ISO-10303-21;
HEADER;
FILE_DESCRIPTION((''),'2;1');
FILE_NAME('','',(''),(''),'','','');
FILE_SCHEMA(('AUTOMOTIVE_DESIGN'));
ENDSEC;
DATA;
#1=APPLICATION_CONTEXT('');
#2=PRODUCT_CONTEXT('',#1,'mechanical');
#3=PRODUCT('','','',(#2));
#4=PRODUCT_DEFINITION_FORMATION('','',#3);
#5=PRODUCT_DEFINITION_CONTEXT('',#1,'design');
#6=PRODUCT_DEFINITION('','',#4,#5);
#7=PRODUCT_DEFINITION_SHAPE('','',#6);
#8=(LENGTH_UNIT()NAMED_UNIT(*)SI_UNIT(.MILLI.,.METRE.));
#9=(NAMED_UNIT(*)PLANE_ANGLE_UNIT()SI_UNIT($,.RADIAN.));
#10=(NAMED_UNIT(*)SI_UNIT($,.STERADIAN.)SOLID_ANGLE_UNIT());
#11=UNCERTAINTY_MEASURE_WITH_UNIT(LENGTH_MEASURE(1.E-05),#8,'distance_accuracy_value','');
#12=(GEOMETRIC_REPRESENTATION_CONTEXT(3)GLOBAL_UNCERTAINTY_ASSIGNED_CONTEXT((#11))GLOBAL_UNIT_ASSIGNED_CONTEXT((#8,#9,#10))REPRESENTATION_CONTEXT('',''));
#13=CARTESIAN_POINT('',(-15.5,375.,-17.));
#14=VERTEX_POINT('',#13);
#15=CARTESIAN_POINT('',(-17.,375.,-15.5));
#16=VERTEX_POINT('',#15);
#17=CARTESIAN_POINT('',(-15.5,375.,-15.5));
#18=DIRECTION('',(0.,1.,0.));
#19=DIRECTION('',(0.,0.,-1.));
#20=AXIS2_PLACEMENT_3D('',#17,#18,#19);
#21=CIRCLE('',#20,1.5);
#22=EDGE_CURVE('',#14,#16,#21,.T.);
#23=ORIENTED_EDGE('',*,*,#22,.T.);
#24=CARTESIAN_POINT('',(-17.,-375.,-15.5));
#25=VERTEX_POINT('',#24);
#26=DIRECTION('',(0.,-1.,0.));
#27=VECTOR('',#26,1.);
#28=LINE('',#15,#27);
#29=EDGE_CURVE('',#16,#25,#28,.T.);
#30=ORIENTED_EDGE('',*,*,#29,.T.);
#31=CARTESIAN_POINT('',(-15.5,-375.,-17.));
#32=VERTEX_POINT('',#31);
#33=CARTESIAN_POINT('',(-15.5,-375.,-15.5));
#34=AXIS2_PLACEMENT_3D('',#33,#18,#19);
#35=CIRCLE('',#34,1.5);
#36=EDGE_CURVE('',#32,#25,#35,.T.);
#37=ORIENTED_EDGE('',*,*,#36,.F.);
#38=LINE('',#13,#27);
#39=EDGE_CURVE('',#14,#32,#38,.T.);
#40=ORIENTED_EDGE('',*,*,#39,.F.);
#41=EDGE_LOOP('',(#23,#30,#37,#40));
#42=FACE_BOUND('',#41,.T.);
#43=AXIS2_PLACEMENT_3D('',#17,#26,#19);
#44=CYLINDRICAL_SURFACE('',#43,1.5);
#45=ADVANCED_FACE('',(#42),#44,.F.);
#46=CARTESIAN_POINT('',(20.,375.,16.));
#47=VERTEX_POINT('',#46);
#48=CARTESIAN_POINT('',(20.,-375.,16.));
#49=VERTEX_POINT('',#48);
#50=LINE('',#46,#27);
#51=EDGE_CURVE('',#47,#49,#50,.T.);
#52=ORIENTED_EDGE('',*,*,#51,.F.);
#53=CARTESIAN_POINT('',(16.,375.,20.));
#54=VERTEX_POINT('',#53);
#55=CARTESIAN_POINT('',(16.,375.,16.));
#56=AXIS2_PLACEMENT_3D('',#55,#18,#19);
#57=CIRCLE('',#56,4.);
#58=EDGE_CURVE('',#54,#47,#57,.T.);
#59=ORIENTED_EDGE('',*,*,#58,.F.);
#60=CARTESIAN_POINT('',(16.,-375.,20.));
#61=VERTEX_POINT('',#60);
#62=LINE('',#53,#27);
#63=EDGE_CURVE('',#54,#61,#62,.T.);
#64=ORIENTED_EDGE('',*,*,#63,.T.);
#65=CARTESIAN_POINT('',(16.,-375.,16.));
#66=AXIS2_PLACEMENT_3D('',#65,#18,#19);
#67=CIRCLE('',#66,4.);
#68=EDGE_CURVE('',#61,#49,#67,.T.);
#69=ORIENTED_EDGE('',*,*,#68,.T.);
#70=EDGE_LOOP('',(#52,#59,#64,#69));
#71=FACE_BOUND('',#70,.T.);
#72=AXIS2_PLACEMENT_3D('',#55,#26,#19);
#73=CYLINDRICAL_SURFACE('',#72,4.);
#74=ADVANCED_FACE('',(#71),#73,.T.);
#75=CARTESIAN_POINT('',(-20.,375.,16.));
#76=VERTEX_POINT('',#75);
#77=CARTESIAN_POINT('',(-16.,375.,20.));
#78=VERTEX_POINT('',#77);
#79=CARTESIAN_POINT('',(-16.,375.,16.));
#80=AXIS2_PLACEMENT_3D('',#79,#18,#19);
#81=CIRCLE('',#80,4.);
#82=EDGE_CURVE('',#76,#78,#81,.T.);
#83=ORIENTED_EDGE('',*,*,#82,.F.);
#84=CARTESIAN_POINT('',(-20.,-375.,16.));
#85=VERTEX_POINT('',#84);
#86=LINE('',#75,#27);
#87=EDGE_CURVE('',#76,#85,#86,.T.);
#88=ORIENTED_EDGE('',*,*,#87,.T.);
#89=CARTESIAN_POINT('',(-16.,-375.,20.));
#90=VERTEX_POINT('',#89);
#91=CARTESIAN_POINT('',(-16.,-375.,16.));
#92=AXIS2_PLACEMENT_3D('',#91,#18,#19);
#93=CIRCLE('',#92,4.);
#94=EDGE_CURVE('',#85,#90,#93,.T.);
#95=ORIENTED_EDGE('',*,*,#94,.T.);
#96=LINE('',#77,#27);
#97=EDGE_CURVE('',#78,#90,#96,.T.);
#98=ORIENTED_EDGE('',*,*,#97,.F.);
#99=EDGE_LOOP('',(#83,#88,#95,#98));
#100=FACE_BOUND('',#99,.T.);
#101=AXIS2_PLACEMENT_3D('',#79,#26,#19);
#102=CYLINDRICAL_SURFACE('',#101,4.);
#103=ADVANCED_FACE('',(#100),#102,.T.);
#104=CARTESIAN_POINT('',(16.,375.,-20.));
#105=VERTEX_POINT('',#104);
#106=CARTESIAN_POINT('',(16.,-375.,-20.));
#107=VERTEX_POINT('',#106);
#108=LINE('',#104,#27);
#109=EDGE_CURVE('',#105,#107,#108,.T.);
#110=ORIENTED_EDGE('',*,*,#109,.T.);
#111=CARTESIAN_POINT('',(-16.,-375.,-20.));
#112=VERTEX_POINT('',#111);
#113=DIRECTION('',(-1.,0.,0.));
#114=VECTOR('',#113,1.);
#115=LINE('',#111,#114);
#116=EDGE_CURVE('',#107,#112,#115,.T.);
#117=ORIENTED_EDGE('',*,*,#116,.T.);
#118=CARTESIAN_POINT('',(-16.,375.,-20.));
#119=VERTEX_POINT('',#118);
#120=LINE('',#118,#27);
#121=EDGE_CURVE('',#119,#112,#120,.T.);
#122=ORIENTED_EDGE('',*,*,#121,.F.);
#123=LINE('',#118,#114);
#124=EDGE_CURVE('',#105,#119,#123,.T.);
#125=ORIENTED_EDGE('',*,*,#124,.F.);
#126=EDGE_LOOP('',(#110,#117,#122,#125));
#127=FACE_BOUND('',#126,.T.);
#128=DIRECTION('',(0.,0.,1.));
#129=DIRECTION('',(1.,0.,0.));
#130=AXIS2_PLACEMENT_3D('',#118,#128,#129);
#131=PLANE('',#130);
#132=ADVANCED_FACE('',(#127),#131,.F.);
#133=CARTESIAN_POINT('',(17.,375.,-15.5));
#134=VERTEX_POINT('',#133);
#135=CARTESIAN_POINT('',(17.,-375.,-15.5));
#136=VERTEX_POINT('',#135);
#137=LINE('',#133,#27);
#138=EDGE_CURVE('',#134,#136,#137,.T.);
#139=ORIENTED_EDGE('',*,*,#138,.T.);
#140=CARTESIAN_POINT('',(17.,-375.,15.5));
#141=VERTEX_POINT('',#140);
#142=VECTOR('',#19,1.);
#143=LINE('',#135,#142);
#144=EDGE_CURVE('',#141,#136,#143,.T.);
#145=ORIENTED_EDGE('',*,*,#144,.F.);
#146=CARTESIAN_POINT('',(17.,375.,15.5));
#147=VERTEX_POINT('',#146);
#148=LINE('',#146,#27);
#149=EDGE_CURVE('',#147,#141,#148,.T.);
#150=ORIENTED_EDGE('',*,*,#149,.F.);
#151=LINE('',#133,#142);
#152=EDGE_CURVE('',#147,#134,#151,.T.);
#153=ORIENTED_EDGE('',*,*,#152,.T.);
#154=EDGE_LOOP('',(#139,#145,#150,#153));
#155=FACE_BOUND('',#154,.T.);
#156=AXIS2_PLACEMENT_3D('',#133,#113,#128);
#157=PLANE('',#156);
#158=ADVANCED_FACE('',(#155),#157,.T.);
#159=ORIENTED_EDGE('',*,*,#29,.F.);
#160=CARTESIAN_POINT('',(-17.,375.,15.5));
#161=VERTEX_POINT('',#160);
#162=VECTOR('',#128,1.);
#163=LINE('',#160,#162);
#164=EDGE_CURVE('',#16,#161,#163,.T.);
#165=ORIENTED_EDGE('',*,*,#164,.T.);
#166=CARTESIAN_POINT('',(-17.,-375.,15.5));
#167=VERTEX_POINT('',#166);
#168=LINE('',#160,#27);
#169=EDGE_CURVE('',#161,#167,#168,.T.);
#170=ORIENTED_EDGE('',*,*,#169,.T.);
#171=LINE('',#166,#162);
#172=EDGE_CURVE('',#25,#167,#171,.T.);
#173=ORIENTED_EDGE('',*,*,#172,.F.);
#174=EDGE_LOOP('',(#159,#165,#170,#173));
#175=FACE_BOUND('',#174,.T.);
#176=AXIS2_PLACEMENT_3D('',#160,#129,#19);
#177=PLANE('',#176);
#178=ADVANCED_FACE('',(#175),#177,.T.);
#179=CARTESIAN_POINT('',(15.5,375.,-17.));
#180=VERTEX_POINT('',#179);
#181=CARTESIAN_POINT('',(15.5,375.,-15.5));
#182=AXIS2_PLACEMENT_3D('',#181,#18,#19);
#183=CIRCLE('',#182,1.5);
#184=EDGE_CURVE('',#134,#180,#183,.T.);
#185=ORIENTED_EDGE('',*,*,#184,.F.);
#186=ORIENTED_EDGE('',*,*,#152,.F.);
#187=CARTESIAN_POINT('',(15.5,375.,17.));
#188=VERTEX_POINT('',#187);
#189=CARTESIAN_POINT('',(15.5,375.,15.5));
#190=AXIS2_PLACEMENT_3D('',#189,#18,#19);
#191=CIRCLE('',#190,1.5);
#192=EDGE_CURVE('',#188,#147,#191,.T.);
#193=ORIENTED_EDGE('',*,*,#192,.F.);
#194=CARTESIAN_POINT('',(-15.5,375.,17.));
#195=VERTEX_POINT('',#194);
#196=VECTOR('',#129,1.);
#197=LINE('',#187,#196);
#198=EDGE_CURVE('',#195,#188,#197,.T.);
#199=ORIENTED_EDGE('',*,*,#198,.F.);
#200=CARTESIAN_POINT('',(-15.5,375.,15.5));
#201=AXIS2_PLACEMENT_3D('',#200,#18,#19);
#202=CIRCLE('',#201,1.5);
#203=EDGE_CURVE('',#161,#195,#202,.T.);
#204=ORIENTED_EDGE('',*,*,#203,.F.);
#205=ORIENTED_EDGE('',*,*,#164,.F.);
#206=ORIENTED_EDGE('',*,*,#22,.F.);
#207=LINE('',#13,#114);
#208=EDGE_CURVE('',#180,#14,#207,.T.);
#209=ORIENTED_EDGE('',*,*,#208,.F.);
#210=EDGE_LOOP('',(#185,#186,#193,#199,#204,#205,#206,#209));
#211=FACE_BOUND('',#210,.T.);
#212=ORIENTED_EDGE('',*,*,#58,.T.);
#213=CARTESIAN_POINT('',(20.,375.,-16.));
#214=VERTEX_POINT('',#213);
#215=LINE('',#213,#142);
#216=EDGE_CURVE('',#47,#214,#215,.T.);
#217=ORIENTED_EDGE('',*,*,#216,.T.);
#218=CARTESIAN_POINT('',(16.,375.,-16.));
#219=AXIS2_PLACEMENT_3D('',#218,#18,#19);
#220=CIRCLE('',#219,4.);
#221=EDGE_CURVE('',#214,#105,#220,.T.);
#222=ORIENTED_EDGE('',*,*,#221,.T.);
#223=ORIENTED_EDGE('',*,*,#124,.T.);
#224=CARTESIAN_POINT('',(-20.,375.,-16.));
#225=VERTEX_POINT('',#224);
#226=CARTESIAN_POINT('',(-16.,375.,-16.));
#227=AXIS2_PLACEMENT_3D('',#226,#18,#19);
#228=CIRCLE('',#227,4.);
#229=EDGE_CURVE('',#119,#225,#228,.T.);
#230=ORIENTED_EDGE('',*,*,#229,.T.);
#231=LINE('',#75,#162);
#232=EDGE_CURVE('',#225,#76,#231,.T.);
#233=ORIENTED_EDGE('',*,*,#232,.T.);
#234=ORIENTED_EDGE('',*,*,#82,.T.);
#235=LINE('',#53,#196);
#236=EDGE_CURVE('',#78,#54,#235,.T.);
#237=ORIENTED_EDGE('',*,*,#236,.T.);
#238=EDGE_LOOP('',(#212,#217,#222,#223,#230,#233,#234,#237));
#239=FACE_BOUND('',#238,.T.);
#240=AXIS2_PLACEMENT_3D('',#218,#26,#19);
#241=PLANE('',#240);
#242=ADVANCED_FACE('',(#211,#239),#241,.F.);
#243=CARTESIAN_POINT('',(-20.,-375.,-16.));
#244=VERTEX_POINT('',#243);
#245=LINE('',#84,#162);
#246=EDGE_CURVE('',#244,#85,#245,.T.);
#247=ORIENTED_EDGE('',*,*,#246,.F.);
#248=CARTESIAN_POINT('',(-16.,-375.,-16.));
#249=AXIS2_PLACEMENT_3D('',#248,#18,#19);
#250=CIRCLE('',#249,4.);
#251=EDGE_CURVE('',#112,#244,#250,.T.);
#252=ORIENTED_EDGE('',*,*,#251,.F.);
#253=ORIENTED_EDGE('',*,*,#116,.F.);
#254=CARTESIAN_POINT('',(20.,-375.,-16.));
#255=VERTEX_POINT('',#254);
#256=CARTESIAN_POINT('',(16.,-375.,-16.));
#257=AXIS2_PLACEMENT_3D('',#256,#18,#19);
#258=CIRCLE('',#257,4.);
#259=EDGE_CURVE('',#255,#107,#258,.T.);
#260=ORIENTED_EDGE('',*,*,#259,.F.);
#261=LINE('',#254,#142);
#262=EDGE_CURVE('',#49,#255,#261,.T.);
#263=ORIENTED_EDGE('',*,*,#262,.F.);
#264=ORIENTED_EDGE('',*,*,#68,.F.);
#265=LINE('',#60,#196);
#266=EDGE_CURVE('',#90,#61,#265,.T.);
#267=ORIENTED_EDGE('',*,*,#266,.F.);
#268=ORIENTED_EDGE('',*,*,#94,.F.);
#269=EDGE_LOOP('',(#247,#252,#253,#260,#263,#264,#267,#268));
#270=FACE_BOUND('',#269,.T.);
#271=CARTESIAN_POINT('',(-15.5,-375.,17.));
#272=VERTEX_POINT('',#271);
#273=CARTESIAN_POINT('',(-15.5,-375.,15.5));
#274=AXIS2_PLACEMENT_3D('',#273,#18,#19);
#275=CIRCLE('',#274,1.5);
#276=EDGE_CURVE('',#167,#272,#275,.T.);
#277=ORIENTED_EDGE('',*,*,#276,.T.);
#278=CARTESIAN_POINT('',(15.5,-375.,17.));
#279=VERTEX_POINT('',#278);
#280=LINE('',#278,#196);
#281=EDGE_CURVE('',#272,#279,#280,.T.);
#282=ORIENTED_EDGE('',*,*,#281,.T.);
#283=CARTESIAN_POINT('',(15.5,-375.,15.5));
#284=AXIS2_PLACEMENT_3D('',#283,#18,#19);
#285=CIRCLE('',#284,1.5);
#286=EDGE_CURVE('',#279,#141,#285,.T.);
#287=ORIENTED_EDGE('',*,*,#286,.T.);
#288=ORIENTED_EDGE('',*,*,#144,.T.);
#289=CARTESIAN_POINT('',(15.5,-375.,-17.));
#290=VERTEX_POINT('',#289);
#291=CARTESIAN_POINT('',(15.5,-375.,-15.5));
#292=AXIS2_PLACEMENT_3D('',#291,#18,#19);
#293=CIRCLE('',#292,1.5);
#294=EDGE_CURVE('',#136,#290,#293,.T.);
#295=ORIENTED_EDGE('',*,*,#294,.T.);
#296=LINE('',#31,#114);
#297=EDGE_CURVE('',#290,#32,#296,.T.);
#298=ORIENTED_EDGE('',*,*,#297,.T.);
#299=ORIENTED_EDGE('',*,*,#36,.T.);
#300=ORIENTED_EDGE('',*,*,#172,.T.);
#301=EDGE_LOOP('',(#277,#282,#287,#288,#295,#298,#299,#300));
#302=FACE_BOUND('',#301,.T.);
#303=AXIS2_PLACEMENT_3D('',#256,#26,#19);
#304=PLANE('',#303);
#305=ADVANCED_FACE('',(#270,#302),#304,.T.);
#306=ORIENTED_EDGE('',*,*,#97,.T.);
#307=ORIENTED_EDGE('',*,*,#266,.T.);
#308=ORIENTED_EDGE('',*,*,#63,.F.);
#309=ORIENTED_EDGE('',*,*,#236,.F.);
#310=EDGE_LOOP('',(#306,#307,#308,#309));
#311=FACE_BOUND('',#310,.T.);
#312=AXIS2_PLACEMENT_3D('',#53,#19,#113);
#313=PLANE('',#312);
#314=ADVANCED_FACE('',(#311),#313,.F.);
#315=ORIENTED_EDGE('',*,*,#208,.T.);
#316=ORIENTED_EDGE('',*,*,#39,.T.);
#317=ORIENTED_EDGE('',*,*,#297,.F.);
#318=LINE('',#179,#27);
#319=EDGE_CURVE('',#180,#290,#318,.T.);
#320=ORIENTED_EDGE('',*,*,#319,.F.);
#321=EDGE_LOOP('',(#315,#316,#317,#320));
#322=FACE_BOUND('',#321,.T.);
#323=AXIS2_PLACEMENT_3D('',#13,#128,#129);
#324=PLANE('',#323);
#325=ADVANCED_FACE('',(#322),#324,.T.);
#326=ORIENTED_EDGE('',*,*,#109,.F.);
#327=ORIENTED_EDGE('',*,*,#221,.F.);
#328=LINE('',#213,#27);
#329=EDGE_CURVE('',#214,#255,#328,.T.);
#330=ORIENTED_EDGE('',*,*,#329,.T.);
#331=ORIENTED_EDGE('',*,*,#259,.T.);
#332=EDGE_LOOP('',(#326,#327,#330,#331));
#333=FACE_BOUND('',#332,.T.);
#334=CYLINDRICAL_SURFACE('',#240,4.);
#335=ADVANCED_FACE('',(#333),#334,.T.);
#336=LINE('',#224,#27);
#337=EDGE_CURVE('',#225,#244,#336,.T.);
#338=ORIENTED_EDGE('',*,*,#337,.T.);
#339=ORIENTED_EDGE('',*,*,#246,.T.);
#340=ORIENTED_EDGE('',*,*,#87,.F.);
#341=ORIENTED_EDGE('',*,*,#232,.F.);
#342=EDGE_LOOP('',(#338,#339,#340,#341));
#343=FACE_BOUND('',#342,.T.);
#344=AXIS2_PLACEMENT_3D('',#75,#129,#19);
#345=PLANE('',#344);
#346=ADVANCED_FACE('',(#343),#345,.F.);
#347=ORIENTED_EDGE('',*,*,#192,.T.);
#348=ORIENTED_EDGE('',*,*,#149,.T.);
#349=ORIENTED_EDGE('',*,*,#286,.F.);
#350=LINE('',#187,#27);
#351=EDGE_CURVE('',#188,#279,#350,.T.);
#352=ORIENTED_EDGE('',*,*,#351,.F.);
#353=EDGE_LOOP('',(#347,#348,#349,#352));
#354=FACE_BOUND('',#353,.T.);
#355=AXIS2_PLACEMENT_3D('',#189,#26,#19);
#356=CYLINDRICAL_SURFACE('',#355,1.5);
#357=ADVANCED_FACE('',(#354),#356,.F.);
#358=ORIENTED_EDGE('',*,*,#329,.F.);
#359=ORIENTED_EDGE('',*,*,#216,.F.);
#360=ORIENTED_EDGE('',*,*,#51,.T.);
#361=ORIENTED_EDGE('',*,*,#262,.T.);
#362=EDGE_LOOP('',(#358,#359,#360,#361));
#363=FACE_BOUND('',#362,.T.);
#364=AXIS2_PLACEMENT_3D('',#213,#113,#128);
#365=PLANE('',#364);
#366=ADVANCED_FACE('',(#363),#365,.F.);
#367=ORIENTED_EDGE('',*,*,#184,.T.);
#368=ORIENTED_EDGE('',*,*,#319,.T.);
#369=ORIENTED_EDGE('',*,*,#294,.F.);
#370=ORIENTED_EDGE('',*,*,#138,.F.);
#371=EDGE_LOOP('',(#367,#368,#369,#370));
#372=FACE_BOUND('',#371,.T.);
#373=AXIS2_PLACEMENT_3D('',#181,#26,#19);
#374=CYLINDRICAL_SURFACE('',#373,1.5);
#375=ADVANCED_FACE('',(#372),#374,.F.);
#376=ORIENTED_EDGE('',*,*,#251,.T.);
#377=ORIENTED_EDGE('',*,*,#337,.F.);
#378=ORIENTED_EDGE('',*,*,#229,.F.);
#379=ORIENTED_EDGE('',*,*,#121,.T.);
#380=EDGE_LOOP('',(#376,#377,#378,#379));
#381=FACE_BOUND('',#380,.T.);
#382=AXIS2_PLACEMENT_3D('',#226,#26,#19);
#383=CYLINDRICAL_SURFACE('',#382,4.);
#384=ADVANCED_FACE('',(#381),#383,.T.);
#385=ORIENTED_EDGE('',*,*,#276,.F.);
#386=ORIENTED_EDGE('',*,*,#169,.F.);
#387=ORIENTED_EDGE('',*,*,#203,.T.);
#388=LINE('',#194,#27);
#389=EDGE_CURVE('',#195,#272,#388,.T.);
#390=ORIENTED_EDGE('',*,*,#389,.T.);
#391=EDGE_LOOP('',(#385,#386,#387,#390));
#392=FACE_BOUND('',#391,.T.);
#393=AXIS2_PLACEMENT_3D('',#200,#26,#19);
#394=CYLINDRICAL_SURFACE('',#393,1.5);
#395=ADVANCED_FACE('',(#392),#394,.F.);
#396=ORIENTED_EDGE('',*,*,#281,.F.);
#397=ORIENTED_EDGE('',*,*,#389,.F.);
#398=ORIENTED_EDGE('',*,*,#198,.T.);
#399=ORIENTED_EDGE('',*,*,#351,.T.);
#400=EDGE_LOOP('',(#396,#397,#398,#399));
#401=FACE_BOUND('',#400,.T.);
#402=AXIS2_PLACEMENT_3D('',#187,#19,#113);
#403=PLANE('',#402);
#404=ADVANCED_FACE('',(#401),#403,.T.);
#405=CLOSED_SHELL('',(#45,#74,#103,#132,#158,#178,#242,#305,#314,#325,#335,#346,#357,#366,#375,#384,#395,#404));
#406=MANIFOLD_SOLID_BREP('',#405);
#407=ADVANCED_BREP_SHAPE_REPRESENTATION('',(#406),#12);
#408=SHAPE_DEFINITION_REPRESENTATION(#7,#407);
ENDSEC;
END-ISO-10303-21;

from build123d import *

# Parameters (mm, degrees)
EXTRUDE_START   = -375
EXTRUDE_1_DEPTH = 750


with BuildPart() as part:
    # Extrude sketch 1 → Extrude 1 (new body)
    with BuildSketch(Plane(origin=(0, 0, 0), x_dir=(1, 0, 0), z_dir=(0, 1, 0)).offset(EXTRUDE_START)):
        with BuildLine():
            Line((20, 16), (20, -16))
            ThreePointArc((20, -16), (18.828427125, -18.828427125), (16, -20))
            Line((16, -20), (-16, -20))
            ThreePointArc((-16, -20), (-18.828427125, -18.828427125), (-20, -16))
            Line((-20, -16), (-20, 16))
            ThreePointArc((-20, 16), (-18.828427125, 18.828427125), (-16, 20))
            Line((-16, 20), (16, 20))
            ThreePointArc((16, 20), (18.828427125, 18.828427125), (20, 16))
        make_face()
        with BuildLine():
            Line((17, 15.5), (17, -15.5))
            ThreePointArc((17, -15.5), (16.560660172, -16.560660172), (15.5, -17))
            Line((15.5, -17), (-15.5, -17))
            ThreePointArc((-15.5, -17), (-16.560660172, -16.560660172), (-17, -15.5))
            Line((-17, -15.5), (-17, 15.5))
            ThreePointArc((-17, 15.5), (-16.560660172, 16.560660172), (-15.5, 17))
            Line((-15.5, 17), (15.5, 17))
            ThreePointArc((15.5, 17), (16.560660172, 16.560660172), (17, 15.5))
        make_face(mode=Mode.SUBTRACT)
    extrude(amount=EXTRUDE_1_DEPTH)


solid = part.part
